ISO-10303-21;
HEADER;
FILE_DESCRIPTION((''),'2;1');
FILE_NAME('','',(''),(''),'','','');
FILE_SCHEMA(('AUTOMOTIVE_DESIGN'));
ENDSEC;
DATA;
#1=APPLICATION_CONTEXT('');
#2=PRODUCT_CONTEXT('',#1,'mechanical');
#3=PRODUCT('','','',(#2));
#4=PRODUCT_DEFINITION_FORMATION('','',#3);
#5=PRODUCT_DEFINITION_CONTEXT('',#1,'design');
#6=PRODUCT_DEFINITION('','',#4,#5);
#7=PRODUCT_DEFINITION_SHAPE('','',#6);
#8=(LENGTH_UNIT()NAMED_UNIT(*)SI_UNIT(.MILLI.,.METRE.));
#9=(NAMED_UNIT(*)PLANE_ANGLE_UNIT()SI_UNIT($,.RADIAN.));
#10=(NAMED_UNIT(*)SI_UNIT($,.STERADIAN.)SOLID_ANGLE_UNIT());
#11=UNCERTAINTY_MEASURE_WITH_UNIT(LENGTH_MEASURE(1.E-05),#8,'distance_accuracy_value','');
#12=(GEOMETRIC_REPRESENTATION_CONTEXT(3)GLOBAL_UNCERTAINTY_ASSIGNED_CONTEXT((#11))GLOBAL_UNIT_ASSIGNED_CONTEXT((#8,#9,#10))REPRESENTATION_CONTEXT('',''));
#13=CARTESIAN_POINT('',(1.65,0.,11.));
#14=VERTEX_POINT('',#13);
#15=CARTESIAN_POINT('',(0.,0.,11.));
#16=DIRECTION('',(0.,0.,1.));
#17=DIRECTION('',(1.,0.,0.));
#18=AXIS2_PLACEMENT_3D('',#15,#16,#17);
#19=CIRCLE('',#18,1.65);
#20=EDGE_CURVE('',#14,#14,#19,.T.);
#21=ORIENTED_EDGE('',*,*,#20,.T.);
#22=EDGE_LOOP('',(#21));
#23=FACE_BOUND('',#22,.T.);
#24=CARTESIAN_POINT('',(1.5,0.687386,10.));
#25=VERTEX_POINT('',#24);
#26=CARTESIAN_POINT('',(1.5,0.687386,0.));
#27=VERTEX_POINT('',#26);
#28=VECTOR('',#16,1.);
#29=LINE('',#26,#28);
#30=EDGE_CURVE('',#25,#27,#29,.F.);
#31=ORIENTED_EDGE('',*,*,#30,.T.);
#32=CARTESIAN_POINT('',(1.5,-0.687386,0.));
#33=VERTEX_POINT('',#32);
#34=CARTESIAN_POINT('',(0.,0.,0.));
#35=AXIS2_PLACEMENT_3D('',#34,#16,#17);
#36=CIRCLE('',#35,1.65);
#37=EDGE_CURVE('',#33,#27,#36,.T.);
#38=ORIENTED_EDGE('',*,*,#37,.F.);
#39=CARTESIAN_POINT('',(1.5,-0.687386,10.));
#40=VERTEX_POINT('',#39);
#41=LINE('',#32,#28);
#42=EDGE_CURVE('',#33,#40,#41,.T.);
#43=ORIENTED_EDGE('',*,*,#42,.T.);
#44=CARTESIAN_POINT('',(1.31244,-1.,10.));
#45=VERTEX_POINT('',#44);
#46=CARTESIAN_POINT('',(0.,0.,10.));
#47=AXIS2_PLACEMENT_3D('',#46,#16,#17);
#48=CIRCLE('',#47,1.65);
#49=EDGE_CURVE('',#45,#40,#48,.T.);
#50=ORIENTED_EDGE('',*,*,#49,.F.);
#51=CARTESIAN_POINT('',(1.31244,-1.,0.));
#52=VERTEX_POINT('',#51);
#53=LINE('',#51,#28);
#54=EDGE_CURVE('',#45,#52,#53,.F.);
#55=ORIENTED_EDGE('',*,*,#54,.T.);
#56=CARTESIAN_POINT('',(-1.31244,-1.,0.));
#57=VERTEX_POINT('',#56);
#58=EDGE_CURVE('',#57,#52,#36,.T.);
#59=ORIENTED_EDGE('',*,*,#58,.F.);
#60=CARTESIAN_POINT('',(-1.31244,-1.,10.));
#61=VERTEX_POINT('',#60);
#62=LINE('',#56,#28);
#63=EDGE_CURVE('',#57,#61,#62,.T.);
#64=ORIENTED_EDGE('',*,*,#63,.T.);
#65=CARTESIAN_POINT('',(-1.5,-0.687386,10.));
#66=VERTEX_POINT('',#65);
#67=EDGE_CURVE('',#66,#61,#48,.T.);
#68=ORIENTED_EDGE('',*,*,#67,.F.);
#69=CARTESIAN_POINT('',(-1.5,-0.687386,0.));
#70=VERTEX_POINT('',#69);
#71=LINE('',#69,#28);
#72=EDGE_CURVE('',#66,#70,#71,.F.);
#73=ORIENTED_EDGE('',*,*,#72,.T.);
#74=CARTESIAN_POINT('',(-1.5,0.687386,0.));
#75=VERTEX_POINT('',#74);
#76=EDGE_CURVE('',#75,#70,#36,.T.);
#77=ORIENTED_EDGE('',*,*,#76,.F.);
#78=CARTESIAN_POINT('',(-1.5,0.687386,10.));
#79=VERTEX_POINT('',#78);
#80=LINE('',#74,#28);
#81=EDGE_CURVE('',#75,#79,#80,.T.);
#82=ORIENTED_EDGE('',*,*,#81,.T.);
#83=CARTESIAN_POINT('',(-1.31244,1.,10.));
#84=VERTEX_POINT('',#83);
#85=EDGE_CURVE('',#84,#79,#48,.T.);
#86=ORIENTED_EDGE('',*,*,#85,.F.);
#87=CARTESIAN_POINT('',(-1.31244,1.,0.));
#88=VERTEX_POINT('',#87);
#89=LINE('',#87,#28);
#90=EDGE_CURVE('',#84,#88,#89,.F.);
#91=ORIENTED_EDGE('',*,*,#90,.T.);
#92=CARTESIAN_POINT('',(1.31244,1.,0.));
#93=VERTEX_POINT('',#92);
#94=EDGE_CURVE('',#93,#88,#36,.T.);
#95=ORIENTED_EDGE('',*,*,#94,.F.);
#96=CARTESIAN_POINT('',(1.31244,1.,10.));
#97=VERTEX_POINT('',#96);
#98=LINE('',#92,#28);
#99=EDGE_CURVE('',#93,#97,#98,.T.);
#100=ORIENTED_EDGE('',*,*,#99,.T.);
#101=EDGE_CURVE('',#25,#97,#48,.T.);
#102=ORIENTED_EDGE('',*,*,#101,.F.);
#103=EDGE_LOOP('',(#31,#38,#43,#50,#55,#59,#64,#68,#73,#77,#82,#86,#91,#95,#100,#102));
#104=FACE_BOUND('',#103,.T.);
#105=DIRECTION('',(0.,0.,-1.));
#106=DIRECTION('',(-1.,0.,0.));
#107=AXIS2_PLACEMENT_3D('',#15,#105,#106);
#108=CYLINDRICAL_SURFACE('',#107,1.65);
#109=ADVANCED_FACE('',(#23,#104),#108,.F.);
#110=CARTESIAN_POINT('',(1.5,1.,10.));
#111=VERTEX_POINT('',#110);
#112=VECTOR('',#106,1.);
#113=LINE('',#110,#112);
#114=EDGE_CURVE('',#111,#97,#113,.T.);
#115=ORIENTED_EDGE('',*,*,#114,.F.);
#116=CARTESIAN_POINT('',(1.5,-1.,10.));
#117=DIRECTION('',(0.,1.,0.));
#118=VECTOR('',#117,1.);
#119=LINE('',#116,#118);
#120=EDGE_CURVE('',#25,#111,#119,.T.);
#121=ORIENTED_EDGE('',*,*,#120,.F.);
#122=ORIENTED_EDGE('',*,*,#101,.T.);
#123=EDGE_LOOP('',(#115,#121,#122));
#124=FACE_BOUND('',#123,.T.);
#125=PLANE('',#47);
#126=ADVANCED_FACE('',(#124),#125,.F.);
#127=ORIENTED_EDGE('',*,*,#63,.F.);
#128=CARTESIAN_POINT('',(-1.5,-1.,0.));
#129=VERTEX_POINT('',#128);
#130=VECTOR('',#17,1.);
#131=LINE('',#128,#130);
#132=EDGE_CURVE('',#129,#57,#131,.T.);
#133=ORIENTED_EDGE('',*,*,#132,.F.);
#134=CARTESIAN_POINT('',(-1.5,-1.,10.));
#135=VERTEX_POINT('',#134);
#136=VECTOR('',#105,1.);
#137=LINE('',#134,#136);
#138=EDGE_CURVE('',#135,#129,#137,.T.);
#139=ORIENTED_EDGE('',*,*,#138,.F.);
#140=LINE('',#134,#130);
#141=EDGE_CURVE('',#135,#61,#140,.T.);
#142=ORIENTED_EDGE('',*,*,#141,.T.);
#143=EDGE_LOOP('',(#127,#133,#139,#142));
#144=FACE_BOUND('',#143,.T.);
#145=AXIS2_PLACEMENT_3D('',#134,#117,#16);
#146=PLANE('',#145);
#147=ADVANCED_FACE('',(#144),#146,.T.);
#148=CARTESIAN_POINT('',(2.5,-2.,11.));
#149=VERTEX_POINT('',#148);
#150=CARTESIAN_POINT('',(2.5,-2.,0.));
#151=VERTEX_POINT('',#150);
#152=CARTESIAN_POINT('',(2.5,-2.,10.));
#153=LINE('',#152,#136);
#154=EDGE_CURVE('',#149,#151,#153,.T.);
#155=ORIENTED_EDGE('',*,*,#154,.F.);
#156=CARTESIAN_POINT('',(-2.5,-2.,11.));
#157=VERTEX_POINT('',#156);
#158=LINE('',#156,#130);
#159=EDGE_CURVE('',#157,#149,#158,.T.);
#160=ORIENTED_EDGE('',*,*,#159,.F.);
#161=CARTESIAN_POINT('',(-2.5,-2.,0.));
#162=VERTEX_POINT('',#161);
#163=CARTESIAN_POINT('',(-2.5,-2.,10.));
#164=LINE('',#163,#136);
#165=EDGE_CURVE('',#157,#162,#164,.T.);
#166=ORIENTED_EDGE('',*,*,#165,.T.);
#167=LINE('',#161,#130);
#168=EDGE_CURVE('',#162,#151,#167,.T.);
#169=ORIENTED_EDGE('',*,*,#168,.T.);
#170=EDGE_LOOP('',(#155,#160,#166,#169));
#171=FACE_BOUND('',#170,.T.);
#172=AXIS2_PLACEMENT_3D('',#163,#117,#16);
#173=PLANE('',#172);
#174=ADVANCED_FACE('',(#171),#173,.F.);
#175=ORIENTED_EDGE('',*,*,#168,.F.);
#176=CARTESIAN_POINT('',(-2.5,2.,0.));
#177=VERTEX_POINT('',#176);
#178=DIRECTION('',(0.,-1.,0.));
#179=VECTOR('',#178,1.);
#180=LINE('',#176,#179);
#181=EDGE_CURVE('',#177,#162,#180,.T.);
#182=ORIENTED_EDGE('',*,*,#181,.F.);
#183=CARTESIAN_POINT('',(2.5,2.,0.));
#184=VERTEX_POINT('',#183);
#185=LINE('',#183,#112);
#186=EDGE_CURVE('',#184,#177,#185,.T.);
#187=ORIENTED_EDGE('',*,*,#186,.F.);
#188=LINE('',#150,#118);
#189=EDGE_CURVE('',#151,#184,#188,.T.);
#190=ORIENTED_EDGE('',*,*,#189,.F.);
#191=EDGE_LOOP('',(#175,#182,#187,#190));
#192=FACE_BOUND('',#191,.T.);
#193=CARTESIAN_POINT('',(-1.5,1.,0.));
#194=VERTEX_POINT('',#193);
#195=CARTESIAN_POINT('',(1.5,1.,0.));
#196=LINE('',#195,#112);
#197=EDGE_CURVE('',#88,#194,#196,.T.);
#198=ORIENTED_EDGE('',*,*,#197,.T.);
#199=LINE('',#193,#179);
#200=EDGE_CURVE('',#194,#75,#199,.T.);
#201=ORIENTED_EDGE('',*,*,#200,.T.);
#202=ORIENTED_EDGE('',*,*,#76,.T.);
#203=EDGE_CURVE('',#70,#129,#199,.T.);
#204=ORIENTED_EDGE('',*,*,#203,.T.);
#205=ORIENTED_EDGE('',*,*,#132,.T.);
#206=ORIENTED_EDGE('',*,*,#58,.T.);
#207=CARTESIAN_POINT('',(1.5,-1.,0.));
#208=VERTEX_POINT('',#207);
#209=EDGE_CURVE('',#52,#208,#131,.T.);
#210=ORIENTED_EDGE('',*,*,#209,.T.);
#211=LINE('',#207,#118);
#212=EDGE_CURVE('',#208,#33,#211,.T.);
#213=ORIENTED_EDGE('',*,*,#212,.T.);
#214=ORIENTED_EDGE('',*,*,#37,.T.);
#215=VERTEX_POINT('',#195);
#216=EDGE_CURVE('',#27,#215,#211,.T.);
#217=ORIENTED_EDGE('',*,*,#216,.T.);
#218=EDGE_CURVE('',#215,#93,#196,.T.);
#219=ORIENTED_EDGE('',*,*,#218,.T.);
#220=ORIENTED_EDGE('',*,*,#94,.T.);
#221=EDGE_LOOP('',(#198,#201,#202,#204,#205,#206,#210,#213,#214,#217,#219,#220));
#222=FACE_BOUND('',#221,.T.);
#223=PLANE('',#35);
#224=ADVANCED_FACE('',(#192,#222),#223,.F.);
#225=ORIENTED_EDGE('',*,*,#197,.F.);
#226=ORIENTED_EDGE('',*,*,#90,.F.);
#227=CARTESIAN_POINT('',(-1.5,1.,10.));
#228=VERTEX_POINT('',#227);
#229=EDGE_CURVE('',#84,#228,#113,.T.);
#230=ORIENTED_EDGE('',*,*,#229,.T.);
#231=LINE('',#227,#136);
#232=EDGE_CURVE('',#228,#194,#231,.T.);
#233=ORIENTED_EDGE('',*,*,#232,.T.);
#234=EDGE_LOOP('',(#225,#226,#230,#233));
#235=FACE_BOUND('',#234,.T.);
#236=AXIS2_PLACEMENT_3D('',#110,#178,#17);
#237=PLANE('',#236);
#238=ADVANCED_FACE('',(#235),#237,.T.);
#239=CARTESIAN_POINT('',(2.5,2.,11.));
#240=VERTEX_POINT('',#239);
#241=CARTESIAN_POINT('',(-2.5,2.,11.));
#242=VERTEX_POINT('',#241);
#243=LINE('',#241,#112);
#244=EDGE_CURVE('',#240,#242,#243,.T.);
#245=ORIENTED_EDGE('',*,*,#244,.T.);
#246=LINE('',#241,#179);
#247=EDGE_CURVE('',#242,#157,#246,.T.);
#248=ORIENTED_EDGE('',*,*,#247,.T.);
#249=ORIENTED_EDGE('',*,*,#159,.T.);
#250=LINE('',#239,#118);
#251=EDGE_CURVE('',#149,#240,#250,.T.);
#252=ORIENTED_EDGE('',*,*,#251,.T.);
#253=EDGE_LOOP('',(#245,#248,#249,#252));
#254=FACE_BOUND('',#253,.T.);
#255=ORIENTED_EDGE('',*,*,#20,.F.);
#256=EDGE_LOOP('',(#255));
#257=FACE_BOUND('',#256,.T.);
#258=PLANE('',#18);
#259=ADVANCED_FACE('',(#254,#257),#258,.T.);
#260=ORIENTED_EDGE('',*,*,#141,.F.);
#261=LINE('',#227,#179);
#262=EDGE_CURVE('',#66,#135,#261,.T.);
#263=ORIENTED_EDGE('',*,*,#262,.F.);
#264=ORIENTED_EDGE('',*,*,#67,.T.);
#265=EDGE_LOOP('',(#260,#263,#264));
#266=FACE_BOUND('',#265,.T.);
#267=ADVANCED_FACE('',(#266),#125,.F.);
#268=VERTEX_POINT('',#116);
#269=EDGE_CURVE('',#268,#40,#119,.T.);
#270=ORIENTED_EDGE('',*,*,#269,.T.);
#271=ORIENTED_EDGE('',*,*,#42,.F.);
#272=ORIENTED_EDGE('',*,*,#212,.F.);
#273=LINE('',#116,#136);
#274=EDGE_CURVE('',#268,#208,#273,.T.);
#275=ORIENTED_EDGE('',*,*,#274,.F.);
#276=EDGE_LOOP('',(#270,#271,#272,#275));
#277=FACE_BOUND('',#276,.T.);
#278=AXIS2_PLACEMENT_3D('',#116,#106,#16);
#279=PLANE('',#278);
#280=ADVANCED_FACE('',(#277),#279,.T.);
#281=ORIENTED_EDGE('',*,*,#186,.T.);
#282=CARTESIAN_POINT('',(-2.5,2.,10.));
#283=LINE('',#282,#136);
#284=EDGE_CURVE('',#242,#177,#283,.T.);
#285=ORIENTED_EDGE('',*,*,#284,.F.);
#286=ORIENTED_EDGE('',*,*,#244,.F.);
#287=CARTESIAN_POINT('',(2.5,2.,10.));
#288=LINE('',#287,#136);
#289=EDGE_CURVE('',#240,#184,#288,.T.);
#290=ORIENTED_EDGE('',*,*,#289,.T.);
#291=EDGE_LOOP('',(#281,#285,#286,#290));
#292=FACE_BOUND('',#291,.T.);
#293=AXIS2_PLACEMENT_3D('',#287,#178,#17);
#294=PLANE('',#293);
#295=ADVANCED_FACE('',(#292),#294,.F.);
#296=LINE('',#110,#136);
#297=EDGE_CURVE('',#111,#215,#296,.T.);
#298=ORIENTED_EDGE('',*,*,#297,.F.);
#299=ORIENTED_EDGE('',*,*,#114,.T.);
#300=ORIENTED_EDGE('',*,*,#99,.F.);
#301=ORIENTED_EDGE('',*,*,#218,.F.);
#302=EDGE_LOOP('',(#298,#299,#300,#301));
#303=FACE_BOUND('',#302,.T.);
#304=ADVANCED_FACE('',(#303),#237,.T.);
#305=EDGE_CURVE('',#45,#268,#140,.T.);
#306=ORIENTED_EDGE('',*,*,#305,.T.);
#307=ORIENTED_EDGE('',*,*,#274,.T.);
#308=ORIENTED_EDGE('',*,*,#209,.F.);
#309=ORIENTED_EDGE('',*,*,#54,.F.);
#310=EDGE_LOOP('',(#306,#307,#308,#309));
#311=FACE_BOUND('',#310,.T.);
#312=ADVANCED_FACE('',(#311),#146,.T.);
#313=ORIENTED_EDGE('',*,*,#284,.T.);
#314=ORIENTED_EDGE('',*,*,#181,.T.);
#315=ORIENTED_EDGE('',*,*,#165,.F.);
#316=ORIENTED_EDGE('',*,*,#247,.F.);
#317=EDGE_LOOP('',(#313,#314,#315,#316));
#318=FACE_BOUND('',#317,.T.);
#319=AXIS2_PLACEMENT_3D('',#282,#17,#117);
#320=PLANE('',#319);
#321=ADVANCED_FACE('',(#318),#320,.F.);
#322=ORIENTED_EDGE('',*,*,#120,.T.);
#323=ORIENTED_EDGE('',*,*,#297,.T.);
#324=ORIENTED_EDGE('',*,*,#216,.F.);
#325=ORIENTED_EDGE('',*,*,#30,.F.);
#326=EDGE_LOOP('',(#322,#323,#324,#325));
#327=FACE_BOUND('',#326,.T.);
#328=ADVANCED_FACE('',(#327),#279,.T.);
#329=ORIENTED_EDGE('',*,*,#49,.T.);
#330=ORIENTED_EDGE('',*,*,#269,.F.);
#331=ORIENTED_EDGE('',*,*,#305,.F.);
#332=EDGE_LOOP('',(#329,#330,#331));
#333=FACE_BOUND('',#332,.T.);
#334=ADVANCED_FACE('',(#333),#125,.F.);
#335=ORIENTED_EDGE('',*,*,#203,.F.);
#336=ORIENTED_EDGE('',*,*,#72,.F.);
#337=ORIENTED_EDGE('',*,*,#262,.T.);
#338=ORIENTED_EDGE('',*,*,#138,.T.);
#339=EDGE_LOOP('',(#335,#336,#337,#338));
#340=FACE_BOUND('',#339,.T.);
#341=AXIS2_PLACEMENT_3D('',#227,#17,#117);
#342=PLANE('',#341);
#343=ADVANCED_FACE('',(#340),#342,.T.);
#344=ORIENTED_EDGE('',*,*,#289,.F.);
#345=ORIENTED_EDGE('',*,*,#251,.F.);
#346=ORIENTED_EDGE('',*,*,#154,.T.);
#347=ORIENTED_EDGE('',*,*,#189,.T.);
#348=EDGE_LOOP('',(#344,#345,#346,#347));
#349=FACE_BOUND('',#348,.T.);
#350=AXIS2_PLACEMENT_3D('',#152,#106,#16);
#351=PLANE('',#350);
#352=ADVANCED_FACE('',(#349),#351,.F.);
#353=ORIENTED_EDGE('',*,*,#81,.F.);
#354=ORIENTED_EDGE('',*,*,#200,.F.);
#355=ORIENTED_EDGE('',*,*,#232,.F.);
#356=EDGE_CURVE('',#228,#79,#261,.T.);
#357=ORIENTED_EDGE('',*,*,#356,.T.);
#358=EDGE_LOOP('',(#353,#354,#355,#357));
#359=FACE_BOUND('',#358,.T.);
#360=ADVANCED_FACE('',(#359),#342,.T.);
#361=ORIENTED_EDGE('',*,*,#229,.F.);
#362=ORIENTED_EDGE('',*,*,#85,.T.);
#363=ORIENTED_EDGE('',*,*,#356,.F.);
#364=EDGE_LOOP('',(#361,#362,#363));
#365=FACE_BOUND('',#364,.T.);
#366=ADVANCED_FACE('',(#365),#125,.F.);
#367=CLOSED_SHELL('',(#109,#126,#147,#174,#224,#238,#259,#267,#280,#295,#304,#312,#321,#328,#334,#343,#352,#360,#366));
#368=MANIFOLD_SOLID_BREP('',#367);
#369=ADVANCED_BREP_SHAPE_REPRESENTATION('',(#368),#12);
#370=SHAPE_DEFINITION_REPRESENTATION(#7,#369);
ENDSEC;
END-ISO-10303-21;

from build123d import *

# Parameters (mm, degrees)
SKETCH1_W           = 5
SKETCH1_H           = 4
SKETCH1_W_2         = 3
SKETCH1_H_2         = 2
BOSS_EXTRUDE1_DEPTH = 10
SKETCH2_W           = 5
SKETCH2_H           = 4
SKETCH2_R           = 1.65
BOSS_EXTRUDE2_DEPTH = 1
SKETCH3_R           = 1.65
CUT_EXTRUDE1_DEPTH  = 12.456439237


with BuildPart() as part:
    # Sketch1 → Boss-Extrude1 (new body)
    with BuildSketch(Plane.XY):
        Rectangle(SKETCH1_W, SKETCH1_H)
        Rectangle(SKETCH1_W_2, SKETCH1_H_2, mode=Mode.SUBTRACT)
    extrude(amount=BOSS_EXTRUDE1_DEPTH)

    # Sketch2 → Boss-Extrude2 (add)
    with BuildSketch(Plane.XY.offset(10)):
        Rectangle(SKETCH2_W, SKETCH2_H)
        with Locations(Location((0, 0, 0), (0, 0, 155.380022671))):
            Circle(SKETCH2_R, mode=Mode.SUBTRACT)
    extrude(amount=BOSS_EXTRUDE2_DEPTH)

    # Sketch3 → Cut-Extrude1 (cut, through all)
    with BuildSketch(Plane.XY.offset(11)):
        with Locations(Location((0, 0, 0), (0, 0, 155.380022671))):
            Circle(SKETCH3_R)
    extrude(amount=-CUT_EXTRUDE1_DEPTH, mode=Mode.SUBTRACT)


solid = part.part
